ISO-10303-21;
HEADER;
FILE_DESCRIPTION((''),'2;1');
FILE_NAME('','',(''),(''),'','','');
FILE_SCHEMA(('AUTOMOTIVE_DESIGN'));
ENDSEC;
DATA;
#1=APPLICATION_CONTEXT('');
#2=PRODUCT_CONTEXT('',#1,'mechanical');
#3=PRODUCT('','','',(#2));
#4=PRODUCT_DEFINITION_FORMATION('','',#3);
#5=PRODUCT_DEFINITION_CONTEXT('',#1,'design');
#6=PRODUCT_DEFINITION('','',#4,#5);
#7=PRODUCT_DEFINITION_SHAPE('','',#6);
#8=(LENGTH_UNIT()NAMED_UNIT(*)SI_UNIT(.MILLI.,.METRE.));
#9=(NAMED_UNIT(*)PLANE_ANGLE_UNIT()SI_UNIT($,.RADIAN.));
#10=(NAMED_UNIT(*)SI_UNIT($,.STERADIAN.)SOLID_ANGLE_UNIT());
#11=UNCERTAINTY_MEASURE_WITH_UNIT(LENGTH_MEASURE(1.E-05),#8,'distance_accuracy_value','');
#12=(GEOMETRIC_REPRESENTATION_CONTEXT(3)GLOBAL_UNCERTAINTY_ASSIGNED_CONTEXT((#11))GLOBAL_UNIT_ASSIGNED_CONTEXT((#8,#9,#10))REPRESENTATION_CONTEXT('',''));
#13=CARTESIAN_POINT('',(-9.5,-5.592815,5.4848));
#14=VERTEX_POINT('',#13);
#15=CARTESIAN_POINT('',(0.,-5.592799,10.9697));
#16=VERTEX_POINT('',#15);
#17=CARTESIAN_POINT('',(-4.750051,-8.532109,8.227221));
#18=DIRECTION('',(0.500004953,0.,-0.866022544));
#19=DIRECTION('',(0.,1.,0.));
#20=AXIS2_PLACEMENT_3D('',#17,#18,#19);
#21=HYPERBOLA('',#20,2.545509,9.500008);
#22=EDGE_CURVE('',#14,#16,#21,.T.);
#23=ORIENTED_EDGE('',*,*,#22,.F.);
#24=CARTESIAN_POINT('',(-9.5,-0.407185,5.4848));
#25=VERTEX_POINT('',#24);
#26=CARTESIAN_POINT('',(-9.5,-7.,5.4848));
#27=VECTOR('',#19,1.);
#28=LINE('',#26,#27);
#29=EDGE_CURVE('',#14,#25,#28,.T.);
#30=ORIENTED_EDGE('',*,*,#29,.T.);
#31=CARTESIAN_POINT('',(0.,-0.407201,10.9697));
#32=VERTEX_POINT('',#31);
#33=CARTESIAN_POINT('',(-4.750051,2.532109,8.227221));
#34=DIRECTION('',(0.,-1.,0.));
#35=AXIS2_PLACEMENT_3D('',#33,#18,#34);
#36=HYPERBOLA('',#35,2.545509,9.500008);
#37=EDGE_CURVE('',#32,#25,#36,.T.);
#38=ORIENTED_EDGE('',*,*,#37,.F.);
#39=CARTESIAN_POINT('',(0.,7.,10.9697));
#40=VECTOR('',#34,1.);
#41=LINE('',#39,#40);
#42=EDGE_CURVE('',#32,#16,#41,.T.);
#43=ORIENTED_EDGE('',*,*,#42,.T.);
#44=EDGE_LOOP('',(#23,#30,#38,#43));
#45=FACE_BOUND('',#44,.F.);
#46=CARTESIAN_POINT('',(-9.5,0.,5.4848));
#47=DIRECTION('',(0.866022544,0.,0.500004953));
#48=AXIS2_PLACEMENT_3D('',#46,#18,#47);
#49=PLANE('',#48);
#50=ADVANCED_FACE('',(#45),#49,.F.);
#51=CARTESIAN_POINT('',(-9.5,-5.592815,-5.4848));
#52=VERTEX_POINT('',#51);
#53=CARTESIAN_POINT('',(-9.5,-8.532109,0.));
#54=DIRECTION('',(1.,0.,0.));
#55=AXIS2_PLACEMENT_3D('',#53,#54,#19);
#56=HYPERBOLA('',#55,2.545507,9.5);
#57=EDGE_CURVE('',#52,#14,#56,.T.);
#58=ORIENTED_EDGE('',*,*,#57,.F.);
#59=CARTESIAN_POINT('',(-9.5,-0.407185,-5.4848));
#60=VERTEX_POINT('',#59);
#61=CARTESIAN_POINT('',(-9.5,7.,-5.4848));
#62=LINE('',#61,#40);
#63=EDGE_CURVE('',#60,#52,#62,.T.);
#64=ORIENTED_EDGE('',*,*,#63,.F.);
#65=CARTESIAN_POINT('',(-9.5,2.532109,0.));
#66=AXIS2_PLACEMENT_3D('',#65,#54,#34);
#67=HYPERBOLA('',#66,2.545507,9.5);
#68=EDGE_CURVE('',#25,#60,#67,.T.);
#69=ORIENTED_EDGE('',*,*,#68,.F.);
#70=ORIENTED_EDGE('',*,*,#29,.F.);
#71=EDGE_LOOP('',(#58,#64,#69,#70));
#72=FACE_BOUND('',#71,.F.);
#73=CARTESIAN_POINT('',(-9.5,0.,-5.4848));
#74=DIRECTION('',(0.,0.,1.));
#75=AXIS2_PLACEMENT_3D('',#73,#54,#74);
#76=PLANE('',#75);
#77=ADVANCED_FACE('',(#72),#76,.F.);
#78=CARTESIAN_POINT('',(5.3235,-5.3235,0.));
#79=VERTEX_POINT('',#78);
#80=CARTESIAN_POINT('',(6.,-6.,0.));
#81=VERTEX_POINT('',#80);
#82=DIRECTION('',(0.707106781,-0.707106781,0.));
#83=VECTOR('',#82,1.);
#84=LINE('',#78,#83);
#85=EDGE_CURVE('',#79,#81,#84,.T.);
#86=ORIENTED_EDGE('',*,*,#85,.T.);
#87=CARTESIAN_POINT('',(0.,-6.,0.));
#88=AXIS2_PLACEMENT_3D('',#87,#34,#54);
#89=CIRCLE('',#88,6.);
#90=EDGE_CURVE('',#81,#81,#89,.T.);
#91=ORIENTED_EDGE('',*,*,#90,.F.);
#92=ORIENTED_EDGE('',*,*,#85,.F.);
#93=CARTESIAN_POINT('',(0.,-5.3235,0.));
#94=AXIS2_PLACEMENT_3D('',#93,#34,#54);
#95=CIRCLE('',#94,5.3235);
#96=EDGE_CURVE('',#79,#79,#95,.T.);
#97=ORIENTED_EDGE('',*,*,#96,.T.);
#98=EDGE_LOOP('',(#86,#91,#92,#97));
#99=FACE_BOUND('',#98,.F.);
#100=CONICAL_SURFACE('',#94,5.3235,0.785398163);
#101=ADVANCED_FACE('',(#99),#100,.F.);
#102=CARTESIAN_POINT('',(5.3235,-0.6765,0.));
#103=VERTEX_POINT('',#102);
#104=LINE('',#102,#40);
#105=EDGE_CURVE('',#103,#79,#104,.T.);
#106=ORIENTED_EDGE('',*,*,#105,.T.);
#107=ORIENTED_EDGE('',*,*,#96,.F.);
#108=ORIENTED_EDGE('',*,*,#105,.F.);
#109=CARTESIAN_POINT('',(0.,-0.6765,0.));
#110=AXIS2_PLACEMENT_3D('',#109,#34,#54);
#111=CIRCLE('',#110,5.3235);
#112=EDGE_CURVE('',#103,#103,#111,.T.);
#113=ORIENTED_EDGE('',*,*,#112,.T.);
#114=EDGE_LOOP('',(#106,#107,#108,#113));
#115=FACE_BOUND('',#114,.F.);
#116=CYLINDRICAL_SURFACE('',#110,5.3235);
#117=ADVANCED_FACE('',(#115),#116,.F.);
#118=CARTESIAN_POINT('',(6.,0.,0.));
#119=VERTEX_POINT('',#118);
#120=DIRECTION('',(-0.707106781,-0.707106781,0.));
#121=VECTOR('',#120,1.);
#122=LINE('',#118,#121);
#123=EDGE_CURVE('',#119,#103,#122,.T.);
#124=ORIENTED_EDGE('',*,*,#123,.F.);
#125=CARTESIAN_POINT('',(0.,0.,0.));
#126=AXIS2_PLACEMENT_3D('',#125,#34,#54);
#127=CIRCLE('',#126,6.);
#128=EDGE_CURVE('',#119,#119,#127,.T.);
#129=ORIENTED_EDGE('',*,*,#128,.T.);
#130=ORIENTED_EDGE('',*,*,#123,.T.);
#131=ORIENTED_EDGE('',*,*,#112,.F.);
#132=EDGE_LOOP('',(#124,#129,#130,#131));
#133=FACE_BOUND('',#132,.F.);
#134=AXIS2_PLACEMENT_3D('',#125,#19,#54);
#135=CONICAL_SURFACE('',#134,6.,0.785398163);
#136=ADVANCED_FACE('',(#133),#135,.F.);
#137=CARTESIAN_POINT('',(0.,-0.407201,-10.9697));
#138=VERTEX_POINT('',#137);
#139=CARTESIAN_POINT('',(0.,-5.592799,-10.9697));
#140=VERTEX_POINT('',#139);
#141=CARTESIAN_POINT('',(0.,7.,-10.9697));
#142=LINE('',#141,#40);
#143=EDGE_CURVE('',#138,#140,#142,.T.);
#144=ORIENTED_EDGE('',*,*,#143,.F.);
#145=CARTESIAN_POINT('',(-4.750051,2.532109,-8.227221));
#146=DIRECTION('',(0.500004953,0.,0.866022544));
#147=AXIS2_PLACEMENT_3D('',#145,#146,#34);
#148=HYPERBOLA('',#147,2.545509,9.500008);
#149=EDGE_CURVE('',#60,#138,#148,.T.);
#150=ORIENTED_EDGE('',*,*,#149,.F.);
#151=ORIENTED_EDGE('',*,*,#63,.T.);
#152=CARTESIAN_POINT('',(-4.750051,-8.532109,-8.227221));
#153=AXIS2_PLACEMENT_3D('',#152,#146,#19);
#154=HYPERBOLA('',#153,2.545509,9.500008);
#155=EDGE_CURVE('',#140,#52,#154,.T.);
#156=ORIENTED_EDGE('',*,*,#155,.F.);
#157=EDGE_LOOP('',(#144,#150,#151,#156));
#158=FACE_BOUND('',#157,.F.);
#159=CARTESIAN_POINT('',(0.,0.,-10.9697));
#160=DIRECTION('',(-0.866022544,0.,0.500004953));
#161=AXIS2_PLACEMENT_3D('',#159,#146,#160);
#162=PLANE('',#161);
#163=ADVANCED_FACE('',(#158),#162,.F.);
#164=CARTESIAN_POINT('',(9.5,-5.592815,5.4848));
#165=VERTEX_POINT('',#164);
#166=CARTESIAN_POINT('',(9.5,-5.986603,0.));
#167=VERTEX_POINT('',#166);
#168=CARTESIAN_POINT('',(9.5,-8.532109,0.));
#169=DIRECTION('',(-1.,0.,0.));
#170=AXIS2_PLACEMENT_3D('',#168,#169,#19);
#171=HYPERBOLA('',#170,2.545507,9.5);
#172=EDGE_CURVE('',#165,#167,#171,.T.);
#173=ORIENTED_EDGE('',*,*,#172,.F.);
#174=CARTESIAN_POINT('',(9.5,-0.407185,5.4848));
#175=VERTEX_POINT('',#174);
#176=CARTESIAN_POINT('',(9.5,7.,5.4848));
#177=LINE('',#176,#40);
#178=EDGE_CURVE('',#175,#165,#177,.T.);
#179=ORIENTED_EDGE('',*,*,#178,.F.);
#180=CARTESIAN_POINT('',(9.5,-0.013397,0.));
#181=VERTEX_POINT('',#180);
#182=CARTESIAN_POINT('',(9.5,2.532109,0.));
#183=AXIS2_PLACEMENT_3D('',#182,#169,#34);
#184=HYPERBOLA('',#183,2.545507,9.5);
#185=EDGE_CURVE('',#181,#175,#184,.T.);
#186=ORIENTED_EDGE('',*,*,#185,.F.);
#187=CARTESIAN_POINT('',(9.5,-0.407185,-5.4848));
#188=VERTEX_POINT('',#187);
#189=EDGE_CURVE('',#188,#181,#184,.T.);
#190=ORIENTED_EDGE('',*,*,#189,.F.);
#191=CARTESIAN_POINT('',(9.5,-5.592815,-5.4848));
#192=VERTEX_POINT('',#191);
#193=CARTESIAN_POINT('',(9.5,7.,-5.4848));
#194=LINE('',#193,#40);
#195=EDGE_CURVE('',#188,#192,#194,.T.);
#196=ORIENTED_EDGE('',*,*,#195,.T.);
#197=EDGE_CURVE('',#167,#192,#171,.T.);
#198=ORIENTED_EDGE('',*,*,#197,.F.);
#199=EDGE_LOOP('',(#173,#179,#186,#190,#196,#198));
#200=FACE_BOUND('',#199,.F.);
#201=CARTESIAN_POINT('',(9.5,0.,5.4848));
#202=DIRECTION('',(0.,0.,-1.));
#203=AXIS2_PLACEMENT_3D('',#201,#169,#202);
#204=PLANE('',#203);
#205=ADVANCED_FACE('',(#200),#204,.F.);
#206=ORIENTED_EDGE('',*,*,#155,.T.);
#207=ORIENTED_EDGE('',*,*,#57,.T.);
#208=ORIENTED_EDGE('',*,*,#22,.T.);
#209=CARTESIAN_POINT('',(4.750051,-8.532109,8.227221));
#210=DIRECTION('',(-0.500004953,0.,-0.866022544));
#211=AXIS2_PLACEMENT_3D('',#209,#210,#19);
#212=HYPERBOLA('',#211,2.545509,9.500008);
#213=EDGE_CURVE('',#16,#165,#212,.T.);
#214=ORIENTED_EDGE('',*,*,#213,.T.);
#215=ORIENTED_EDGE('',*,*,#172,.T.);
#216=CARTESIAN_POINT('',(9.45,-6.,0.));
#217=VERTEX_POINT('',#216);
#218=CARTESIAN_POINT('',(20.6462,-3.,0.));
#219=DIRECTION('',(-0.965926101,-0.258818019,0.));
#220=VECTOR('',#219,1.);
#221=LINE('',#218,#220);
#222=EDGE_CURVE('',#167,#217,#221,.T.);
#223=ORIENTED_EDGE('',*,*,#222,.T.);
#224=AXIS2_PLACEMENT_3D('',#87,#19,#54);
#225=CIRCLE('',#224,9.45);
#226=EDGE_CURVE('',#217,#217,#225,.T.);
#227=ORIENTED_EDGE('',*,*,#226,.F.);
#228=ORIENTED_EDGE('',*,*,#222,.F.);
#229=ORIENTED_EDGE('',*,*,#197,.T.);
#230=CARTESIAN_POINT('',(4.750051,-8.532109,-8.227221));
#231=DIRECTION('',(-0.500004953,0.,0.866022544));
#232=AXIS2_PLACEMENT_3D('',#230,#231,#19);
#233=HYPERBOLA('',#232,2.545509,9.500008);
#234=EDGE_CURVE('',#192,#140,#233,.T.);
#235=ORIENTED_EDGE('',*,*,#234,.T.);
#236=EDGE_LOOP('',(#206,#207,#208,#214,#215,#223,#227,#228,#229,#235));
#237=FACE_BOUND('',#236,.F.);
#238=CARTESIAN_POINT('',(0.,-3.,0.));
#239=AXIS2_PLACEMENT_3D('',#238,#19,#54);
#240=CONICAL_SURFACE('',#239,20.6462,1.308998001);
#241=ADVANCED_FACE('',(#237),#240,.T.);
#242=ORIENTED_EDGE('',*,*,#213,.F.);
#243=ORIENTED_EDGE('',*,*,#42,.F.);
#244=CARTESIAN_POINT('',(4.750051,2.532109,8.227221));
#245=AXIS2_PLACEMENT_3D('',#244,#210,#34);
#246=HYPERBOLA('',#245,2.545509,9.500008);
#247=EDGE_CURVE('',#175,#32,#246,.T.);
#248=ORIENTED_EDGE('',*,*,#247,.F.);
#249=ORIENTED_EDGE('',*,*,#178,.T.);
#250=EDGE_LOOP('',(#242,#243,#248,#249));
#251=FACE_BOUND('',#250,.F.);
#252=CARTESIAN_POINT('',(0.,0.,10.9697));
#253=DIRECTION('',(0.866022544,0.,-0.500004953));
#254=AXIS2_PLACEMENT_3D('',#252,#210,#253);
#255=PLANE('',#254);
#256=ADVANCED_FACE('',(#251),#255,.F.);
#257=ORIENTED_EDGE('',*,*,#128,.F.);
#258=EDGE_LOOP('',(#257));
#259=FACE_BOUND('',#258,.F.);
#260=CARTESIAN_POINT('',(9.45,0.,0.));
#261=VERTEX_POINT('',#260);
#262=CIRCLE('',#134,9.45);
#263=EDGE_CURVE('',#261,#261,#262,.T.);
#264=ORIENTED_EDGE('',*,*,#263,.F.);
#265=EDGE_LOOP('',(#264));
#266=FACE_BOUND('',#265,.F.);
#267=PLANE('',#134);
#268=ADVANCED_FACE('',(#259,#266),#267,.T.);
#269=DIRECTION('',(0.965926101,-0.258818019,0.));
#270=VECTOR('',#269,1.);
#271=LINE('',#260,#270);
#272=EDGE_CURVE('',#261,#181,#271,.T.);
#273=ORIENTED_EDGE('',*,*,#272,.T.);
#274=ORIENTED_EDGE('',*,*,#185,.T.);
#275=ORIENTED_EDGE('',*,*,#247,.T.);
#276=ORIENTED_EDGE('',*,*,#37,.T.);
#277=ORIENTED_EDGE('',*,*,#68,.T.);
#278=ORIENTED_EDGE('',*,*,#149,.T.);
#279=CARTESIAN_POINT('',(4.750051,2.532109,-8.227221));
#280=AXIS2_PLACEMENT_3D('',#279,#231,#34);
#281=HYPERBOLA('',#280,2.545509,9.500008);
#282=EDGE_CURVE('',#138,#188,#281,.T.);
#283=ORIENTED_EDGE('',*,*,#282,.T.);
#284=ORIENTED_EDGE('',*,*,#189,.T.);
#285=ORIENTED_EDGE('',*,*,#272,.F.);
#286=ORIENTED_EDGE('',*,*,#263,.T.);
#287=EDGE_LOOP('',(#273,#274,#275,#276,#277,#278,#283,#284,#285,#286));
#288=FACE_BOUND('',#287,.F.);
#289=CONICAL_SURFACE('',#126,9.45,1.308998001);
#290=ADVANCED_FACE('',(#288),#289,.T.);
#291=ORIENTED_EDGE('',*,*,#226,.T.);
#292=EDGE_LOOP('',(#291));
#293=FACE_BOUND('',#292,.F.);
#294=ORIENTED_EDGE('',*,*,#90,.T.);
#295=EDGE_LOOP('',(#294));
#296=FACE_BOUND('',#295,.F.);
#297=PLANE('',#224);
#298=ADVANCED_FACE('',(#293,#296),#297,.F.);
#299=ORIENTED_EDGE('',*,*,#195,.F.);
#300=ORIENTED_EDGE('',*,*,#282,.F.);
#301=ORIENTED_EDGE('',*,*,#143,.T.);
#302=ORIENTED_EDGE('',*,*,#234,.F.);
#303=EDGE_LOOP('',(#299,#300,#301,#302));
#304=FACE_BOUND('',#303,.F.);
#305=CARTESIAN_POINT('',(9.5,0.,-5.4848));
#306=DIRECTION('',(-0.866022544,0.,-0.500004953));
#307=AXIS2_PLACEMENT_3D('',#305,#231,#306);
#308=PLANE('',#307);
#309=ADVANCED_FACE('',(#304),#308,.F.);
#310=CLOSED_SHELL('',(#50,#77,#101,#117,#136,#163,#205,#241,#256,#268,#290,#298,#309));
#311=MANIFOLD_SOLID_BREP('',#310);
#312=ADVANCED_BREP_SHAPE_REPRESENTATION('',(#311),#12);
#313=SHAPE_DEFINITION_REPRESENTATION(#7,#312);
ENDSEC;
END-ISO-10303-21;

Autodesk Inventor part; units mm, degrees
sketch "Sketch_1" plane through (0, 0, 0) normal (0, 0, 1) x (1, 0, 0)
  line L0 (0, -6) -> (0, 0)
  line L1 (0, 0) -> (9.45, 0)
  line L2 (9.45, 0) -> (20.6462, -3)
  line L3 (20.6462, -3) -> (9.45, -6)
  line L4 (9.45, -6) -> (0, -6)
  line L5 (0, -6) -> (0, 0)
revolve "Revolution1" add sketch "Sketch_1" angle 360 about axis through (0, -6, 0) along (0, 1, 0)
sketch "Sketch_2" plane through (0, 0, 0) normal (0, 1, 0) x (-1, 0, 0)
  line L0 (38, -38) -> (38, 38)
  line L1 (38, 38) -> (-38, 38)
  line L2 (-38, 38) -> (-38, -38)
  line L3 (-38, -38) -> (38, -38)
  line L4 (9.5, 5.4848) -> (0, 10.9697)
  line L5 (0, 10.9697) -> (-9.5, 5.4848)
  line L6 (-9.5, 5.4848) -> (-9.5, -5.4848)
  line L7 (-9.5, -5.4848) -> (0, -10.9697)
  line L8 (0, -10.9697) -> (9.5, -5.4848)
  line L9 (9.5, -5.4848) -> (9.5, 5.4848)
extrude "Extrusion1" cut sketch "Sketch_2" along normal mid plane 14
sketch "Sketch_3" plane through (0, 0, 0) normal (0, 0, 1) x (1, 0, 0)
  line L0 (0, -6) -> (0, 0)
  line L1 (0, 0) -> (6, 0)
  line L2 (6, 0) -> (5.3235, -0.6765)
  line L3 (5.3235, -0.6765) -> (5.3235, -5.3235)
  line L4 (5.3235, -5.3235) -> (6, -6)
  line L5 (6, -6) -> (0, -6)
  line L6 (0, -6) -> (0, 0)
revolve "Revolution2" cut sketch "Sketch_3" angle 360 about axis through (0, -6, 0) along (0, -1, 0)
thread "Thread1" size "M12x1.25" class "6H" standard "ISO Metric profile" full length
ref_plane "2CYL_XY" through (0, -3, 0) normal (0, 1, 0) x (1, 0, 0)
ref_plane "2CYL_YZ" through (0, -3, 0) normal (1, 0, 0) x (0, 0, -1)
ref_plane "2CYL_ZX" through (0, -3, 0) normal (0, 0, -1) x (0, 1, 0)
ref_plane "din439b_punkt_XY" through (0, 0, 0) normal (0, 1, 0) x (1, 0, 0)
ref_plane "din439b_punkt_YZ" through (0, 0, 0) normal (1, 0, 0) x (0, 0, -1)
ref_plane "din439b_punkt_ZX" through (0, 0, 0) normal (0, 0, -1) x (0, 1, 0)
properties part number "DIN-439-B - M12x1.25(F)"
